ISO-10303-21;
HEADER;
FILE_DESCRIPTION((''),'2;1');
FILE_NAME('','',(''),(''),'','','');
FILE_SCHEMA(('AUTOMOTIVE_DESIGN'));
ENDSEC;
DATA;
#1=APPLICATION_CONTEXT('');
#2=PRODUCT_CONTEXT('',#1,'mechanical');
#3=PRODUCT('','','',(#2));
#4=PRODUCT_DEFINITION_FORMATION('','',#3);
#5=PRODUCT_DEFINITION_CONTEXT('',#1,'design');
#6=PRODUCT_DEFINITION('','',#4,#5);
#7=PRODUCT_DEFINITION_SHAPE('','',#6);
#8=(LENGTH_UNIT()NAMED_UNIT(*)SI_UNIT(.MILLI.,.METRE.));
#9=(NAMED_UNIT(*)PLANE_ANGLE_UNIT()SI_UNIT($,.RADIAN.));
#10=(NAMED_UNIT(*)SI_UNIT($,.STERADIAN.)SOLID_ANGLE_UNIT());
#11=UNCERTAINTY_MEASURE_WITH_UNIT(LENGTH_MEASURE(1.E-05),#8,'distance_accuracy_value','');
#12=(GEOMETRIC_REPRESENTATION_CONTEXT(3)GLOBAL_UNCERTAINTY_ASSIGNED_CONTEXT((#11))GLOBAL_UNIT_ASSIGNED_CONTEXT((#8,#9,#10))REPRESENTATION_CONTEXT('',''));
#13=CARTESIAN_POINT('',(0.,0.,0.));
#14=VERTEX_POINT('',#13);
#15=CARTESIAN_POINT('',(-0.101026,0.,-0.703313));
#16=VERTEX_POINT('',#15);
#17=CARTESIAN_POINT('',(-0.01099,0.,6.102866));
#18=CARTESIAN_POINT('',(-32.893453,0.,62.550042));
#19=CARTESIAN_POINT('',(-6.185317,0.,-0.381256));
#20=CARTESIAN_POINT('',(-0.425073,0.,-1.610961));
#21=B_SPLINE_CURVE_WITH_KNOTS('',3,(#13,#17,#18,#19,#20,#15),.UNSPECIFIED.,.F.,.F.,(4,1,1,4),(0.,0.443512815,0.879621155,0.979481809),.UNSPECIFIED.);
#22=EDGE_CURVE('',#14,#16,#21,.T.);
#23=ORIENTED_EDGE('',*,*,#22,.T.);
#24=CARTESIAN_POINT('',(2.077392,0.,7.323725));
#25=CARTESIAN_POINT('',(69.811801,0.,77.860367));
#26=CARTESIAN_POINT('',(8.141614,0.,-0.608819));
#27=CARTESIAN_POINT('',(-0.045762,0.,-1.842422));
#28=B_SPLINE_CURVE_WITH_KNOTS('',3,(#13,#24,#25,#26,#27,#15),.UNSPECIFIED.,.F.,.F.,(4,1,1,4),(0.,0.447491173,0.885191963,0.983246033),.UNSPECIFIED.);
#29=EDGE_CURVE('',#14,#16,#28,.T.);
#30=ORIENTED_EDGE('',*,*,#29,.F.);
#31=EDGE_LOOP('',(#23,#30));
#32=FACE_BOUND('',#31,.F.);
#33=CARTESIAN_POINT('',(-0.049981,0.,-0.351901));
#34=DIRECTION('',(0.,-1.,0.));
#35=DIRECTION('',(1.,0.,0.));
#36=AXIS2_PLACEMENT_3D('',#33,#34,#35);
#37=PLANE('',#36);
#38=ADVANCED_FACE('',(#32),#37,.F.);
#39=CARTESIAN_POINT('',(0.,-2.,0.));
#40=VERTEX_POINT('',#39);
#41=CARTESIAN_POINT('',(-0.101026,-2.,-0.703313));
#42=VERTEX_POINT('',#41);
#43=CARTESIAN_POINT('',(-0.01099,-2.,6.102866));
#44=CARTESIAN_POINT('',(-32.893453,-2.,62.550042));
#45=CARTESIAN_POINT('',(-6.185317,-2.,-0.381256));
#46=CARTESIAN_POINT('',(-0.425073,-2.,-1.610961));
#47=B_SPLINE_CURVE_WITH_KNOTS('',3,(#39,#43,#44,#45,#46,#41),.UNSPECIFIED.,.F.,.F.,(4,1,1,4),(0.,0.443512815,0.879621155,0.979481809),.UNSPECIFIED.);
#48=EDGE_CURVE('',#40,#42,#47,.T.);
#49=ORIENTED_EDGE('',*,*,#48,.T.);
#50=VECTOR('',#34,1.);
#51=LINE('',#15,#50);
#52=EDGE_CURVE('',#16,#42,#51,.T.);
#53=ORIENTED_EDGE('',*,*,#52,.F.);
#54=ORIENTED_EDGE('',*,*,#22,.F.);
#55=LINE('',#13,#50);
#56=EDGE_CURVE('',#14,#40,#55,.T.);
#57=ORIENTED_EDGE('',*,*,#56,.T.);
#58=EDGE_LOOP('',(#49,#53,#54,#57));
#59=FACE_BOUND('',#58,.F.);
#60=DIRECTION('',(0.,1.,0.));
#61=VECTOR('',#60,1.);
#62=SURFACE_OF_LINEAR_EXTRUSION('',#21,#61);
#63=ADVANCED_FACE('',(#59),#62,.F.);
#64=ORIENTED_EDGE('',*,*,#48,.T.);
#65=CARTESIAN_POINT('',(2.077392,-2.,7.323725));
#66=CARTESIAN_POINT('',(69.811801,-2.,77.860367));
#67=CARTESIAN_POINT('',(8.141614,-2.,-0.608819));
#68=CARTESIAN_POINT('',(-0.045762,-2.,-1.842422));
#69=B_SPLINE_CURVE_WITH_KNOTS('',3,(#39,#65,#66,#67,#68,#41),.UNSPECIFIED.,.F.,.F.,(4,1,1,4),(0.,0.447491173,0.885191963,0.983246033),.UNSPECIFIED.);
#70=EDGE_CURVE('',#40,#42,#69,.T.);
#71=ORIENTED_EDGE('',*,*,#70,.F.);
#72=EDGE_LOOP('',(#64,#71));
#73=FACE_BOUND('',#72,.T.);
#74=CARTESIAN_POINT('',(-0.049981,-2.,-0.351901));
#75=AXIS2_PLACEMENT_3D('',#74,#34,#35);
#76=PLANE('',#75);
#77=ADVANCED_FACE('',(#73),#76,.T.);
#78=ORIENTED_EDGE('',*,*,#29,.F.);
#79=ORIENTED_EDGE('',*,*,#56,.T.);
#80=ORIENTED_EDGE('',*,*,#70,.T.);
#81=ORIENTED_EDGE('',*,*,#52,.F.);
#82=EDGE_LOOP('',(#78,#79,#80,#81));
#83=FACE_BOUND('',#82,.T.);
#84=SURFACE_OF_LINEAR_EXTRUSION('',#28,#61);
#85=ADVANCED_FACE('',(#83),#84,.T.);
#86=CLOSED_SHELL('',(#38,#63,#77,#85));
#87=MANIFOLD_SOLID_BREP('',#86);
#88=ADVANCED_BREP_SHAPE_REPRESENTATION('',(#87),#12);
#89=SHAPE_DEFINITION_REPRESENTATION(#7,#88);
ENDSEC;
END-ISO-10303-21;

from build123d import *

# Parameters (mm, degrees)
F1_DEPTH = 2


with BuildPart() as f1:
    # F0 (on Front) → F1 (new body)
    with BuildSketch(Plane.XZ):
        with BuildLine():
            add(Edge.make_bspline(
                [(-0.1010256238, -0.7033128904), (-0.0344442415, -0.5168200828), (0.0005084479, -0.282336292), (0, 0)],
                knots=[0.9794818088, 0.9794818088, 0.9794818088, 0.9794818088, 1, 1, 1, 1], degree=3))
            add(Edge.make_bspline(
                [(-0.1010256238, -0.7033128904), (-0.1104681559, -0.5086794286), (-0.0777770764, -0.2741985838), (0, 0)],
                knots=[0.9832460331, 0.9832460331, 0.9832460331, 0.9832460331, 1, 1, 1, 1], degree=3))
        make_face()
        with BuildLine():
            add(Edge.make_bspline(
                [(-0.1010256238, -0.7033128904), (-0.1104681559, -0.5086794286), (-0.0777770764, -0.2741985838), (0, 0)],
                knots=[0.9832460331, 0.9832460331, 0.9832460331, 0.9832460331, 1, 1, 1, 1], degree=3))
            add(Edge.make_bspline(
                [(0, 0), (-0.0109904022, 6.1028656166), (-32.8934532245, 62.5500424007), (-6.1853169387, -0.3812561269), (-0.4250727256, -1.6109608204), (-0.1010256238, -0.7033128904)],
                knots=[0, 0, 0, 0, 0.4435128146, 0.8796211547, 0.9794818088, 0.9794818088, 0.9794818088, 0.9794818088], degree=3))
        make_face()
        with BuildLine():
            add(Edge.make_bspline(
                [(0, 0), (2.0773919033, 7.323724992), (69.8118007067, 77.8603670684), (8.1416143411, -0.6088194951), (-0.0457623716, -1.8424224045), (-0.1010256238, -0.7033128904)],
                knots=[0, 0, 0, 0, 0.4474911726, 0.8851919634, 0.9832460331, 0.9832460331, 0.9832460331, 0.9832460331], degree=3))
            add(Edge.make_bspline(
                [(-0.1010256238, -0.7033128904), (-0.0344442415, -0.5168200828), (0.0005084479, -0.282336292), (0, 0)],
                knots=[0.9794818088, 0.9794818088, 0.9794818088, 0.9794818088, 1, 1, 1, 1], degree=3))
        make_face()
    extrude(amount=F1_DEPTH)


solid = f1.part
